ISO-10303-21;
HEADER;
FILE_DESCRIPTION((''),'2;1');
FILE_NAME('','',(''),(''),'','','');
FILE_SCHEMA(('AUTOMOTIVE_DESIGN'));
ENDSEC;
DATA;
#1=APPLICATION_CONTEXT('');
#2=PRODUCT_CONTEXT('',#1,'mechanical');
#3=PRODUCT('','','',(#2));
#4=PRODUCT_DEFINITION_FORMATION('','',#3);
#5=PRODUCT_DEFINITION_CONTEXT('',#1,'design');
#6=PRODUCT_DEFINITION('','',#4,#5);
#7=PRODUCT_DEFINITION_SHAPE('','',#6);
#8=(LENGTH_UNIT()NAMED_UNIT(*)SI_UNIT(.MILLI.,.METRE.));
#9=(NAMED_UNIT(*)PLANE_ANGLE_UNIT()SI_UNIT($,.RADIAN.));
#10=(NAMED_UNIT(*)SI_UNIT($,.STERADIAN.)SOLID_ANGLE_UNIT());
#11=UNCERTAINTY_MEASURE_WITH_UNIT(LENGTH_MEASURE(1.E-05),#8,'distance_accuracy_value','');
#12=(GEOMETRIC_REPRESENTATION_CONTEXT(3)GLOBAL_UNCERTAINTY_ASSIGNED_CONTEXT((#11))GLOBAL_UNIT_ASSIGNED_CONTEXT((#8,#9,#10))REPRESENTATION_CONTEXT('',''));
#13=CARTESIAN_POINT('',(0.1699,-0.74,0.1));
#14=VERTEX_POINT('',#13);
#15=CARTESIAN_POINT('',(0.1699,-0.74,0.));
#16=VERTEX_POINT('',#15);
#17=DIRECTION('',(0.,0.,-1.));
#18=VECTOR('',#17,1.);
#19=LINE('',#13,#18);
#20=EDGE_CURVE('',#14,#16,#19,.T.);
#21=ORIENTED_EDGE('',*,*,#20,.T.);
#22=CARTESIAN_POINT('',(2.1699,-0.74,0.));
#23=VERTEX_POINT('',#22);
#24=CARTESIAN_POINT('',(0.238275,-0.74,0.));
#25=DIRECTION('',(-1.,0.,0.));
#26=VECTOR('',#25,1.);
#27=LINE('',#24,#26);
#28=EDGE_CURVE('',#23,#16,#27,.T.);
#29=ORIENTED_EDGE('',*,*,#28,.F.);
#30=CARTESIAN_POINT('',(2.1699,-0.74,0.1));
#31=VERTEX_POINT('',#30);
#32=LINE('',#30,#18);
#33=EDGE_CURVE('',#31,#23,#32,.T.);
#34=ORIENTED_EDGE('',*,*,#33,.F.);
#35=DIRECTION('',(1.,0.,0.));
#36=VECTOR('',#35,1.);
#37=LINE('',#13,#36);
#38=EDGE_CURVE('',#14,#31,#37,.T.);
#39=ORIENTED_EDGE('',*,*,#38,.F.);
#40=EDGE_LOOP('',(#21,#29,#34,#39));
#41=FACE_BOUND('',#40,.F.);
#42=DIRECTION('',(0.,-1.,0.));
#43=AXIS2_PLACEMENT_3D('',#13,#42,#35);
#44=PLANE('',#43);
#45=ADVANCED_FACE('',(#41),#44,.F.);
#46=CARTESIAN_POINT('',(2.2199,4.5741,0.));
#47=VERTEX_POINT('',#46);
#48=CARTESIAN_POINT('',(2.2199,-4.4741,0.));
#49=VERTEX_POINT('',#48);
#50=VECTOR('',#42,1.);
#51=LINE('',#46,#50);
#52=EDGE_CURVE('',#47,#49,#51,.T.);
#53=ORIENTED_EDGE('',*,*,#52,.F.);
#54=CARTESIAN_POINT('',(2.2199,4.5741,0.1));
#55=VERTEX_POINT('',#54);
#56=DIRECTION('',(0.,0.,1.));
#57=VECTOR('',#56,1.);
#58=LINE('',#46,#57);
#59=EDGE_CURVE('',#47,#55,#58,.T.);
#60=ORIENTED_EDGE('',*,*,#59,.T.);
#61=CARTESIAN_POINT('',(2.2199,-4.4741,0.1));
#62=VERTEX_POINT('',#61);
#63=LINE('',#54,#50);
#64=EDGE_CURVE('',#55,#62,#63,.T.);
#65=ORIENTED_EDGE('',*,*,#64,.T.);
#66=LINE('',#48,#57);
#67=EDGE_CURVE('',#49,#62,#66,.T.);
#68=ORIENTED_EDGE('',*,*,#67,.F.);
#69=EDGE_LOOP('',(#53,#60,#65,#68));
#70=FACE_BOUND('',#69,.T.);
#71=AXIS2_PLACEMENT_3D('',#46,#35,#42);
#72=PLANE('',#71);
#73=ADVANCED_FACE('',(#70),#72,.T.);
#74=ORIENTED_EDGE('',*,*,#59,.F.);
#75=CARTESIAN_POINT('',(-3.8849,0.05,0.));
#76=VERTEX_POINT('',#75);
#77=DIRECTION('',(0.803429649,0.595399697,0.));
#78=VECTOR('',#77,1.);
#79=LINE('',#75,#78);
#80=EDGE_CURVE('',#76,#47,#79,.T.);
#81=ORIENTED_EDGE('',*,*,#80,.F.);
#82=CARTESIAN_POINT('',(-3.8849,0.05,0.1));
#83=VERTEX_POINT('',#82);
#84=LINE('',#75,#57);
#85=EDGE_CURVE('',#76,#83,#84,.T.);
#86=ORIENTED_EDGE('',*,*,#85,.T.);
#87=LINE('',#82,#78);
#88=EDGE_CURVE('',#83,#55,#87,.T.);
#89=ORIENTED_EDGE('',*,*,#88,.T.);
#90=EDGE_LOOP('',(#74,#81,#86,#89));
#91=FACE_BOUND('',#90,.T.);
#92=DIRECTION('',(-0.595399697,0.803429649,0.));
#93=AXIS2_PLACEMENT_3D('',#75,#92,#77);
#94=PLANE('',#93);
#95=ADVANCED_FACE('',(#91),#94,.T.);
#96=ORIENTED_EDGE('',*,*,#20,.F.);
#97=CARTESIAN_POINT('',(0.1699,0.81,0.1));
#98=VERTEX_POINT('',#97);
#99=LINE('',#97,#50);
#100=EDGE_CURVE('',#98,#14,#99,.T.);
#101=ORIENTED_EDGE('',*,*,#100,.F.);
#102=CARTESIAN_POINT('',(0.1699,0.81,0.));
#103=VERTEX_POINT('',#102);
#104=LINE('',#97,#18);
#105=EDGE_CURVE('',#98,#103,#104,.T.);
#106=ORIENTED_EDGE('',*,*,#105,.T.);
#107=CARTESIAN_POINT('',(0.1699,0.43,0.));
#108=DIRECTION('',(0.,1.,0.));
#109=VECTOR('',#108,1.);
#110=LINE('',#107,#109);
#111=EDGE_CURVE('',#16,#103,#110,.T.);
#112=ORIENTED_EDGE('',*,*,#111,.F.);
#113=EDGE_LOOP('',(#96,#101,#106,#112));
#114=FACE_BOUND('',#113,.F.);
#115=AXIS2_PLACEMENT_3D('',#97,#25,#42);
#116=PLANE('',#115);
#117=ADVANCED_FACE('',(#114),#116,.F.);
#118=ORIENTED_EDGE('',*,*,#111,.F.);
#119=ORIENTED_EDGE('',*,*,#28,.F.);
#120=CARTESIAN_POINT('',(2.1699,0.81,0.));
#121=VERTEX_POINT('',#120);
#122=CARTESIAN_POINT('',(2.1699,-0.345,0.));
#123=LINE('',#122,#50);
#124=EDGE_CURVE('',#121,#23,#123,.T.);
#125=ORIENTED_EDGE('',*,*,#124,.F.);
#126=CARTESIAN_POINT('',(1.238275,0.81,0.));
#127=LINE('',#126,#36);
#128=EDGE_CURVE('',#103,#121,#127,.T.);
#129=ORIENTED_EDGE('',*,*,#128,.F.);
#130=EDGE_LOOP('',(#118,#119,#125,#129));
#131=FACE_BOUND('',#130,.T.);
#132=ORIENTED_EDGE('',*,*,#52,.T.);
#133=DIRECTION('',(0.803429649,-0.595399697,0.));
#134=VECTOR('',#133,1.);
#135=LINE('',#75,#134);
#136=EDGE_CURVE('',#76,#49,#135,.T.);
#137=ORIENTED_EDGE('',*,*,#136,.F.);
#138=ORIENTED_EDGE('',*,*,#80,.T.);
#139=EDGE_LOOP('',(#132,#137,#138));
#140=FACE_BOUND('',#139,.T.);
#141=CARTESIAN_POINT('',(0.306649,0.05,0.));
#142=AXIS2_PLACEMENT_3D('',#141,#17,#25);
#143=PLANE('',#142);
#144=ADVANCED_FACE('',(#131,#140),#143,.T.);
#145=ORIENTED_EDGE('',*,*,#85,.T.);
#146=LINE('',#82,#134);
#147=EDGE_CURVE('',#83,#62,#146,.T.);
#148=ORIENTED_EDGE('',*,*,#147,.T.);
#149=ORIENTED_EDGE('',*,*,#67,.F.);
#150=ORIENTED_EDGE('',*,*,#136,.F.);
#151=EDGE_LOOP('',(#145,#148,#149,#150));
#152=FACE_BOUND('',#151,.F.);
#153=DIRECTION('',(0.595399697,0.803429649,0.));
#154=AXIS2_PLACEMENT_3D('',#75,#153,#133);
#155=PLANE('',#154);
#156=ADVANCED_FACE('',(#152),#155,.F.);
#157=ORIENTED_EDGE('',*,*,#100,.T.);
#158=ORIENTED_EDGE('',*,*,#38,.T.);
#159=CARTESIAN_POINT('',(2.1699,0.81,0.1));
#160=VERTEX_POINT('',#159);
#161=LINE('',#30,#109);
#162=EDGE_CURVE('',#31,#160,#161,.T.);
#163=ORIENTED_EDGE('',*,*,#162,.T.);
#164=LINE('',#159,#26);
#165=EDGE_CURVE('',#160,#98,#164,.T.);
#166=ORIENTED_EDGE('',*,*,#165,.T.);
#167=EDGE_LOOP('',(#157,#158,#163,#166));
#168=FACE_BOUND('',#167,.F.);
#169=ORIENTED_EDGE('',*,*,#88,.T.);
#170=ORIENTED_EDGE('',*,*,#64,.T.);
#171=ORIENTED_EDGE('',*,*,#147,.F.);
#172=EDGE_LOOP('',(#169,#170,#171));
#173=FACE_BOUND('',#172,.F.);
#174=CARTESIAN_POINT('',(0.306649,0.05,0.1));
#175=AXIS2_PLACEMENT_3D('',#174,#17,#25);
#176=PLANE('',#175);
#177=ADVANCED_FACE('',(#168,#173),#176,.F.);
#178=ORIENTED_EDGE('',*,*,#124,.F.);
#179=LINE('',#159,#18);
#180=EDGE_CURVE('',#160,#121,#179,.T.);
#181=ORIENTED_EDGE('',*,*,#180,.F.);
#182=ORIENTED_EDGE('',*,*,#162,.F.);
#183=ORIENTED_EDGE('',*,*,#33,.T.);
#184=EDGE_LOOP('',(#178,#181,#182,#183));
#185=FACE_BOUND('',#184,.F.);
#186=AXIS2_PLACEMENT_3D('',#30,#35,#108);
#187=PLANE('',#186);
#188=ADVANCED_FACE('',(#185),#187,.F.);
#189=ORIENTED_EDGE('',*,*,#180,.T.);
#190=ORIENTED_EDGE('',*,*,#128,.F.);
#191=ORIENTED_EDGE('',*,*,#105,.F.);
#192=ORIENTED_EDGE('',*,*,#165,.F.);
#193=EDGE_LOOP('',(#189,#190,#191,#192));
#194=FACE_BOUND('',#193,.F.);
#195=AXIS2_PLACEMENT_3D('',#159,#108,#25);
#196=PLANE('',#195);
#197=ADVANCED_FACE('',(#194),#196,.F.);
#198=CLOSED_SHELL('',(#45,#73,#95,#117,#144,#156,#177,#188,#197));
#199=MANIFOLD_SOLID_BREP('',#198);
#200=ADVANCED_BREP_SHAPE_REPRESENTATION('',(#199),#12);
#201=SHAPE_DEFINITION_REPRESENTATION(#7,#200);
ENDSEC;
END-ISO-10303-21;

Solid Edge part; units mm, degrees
sketch "Sketch1" plane through (0, 0, 0) normal (0, 0, 1) x (1, 0, 0)
  line L0 (-3.8849, 0.05) -> (2.2199, 4.5741)
  line L1 (2.2199, 4.5741) -> (2.2199, -4.4741)
  line L2 (-3.8849, 0.05) -> (2.2199, -4.4741)
extrude "Protrusion1" add sketch "Sketch1" along normal blind 0.1
sketch "Sketch2" plane through (-0.8325, 0.05, 0.1) normal (0, 0, 1) x (0, 1, 0)
  line L0 (-0.79, -3.0024) -> (0.76, -3.0024)
  line L1 (0.76, -3.0024) -> (0.76, -1.0024)
  line L2 (0.76, -1.0024) -> (-0.79, -1.0024)
  line L3 (-0.79, -1.0024) -> (-0.79, -3.0024)
  dimension "D1" = 1.55
  dimension "D2" = 0.05
  dimension "D3" = 0.74
  dimension "D4" = 2
extrude "Cutout1" cut sketch "Sketch2" against normal through all
